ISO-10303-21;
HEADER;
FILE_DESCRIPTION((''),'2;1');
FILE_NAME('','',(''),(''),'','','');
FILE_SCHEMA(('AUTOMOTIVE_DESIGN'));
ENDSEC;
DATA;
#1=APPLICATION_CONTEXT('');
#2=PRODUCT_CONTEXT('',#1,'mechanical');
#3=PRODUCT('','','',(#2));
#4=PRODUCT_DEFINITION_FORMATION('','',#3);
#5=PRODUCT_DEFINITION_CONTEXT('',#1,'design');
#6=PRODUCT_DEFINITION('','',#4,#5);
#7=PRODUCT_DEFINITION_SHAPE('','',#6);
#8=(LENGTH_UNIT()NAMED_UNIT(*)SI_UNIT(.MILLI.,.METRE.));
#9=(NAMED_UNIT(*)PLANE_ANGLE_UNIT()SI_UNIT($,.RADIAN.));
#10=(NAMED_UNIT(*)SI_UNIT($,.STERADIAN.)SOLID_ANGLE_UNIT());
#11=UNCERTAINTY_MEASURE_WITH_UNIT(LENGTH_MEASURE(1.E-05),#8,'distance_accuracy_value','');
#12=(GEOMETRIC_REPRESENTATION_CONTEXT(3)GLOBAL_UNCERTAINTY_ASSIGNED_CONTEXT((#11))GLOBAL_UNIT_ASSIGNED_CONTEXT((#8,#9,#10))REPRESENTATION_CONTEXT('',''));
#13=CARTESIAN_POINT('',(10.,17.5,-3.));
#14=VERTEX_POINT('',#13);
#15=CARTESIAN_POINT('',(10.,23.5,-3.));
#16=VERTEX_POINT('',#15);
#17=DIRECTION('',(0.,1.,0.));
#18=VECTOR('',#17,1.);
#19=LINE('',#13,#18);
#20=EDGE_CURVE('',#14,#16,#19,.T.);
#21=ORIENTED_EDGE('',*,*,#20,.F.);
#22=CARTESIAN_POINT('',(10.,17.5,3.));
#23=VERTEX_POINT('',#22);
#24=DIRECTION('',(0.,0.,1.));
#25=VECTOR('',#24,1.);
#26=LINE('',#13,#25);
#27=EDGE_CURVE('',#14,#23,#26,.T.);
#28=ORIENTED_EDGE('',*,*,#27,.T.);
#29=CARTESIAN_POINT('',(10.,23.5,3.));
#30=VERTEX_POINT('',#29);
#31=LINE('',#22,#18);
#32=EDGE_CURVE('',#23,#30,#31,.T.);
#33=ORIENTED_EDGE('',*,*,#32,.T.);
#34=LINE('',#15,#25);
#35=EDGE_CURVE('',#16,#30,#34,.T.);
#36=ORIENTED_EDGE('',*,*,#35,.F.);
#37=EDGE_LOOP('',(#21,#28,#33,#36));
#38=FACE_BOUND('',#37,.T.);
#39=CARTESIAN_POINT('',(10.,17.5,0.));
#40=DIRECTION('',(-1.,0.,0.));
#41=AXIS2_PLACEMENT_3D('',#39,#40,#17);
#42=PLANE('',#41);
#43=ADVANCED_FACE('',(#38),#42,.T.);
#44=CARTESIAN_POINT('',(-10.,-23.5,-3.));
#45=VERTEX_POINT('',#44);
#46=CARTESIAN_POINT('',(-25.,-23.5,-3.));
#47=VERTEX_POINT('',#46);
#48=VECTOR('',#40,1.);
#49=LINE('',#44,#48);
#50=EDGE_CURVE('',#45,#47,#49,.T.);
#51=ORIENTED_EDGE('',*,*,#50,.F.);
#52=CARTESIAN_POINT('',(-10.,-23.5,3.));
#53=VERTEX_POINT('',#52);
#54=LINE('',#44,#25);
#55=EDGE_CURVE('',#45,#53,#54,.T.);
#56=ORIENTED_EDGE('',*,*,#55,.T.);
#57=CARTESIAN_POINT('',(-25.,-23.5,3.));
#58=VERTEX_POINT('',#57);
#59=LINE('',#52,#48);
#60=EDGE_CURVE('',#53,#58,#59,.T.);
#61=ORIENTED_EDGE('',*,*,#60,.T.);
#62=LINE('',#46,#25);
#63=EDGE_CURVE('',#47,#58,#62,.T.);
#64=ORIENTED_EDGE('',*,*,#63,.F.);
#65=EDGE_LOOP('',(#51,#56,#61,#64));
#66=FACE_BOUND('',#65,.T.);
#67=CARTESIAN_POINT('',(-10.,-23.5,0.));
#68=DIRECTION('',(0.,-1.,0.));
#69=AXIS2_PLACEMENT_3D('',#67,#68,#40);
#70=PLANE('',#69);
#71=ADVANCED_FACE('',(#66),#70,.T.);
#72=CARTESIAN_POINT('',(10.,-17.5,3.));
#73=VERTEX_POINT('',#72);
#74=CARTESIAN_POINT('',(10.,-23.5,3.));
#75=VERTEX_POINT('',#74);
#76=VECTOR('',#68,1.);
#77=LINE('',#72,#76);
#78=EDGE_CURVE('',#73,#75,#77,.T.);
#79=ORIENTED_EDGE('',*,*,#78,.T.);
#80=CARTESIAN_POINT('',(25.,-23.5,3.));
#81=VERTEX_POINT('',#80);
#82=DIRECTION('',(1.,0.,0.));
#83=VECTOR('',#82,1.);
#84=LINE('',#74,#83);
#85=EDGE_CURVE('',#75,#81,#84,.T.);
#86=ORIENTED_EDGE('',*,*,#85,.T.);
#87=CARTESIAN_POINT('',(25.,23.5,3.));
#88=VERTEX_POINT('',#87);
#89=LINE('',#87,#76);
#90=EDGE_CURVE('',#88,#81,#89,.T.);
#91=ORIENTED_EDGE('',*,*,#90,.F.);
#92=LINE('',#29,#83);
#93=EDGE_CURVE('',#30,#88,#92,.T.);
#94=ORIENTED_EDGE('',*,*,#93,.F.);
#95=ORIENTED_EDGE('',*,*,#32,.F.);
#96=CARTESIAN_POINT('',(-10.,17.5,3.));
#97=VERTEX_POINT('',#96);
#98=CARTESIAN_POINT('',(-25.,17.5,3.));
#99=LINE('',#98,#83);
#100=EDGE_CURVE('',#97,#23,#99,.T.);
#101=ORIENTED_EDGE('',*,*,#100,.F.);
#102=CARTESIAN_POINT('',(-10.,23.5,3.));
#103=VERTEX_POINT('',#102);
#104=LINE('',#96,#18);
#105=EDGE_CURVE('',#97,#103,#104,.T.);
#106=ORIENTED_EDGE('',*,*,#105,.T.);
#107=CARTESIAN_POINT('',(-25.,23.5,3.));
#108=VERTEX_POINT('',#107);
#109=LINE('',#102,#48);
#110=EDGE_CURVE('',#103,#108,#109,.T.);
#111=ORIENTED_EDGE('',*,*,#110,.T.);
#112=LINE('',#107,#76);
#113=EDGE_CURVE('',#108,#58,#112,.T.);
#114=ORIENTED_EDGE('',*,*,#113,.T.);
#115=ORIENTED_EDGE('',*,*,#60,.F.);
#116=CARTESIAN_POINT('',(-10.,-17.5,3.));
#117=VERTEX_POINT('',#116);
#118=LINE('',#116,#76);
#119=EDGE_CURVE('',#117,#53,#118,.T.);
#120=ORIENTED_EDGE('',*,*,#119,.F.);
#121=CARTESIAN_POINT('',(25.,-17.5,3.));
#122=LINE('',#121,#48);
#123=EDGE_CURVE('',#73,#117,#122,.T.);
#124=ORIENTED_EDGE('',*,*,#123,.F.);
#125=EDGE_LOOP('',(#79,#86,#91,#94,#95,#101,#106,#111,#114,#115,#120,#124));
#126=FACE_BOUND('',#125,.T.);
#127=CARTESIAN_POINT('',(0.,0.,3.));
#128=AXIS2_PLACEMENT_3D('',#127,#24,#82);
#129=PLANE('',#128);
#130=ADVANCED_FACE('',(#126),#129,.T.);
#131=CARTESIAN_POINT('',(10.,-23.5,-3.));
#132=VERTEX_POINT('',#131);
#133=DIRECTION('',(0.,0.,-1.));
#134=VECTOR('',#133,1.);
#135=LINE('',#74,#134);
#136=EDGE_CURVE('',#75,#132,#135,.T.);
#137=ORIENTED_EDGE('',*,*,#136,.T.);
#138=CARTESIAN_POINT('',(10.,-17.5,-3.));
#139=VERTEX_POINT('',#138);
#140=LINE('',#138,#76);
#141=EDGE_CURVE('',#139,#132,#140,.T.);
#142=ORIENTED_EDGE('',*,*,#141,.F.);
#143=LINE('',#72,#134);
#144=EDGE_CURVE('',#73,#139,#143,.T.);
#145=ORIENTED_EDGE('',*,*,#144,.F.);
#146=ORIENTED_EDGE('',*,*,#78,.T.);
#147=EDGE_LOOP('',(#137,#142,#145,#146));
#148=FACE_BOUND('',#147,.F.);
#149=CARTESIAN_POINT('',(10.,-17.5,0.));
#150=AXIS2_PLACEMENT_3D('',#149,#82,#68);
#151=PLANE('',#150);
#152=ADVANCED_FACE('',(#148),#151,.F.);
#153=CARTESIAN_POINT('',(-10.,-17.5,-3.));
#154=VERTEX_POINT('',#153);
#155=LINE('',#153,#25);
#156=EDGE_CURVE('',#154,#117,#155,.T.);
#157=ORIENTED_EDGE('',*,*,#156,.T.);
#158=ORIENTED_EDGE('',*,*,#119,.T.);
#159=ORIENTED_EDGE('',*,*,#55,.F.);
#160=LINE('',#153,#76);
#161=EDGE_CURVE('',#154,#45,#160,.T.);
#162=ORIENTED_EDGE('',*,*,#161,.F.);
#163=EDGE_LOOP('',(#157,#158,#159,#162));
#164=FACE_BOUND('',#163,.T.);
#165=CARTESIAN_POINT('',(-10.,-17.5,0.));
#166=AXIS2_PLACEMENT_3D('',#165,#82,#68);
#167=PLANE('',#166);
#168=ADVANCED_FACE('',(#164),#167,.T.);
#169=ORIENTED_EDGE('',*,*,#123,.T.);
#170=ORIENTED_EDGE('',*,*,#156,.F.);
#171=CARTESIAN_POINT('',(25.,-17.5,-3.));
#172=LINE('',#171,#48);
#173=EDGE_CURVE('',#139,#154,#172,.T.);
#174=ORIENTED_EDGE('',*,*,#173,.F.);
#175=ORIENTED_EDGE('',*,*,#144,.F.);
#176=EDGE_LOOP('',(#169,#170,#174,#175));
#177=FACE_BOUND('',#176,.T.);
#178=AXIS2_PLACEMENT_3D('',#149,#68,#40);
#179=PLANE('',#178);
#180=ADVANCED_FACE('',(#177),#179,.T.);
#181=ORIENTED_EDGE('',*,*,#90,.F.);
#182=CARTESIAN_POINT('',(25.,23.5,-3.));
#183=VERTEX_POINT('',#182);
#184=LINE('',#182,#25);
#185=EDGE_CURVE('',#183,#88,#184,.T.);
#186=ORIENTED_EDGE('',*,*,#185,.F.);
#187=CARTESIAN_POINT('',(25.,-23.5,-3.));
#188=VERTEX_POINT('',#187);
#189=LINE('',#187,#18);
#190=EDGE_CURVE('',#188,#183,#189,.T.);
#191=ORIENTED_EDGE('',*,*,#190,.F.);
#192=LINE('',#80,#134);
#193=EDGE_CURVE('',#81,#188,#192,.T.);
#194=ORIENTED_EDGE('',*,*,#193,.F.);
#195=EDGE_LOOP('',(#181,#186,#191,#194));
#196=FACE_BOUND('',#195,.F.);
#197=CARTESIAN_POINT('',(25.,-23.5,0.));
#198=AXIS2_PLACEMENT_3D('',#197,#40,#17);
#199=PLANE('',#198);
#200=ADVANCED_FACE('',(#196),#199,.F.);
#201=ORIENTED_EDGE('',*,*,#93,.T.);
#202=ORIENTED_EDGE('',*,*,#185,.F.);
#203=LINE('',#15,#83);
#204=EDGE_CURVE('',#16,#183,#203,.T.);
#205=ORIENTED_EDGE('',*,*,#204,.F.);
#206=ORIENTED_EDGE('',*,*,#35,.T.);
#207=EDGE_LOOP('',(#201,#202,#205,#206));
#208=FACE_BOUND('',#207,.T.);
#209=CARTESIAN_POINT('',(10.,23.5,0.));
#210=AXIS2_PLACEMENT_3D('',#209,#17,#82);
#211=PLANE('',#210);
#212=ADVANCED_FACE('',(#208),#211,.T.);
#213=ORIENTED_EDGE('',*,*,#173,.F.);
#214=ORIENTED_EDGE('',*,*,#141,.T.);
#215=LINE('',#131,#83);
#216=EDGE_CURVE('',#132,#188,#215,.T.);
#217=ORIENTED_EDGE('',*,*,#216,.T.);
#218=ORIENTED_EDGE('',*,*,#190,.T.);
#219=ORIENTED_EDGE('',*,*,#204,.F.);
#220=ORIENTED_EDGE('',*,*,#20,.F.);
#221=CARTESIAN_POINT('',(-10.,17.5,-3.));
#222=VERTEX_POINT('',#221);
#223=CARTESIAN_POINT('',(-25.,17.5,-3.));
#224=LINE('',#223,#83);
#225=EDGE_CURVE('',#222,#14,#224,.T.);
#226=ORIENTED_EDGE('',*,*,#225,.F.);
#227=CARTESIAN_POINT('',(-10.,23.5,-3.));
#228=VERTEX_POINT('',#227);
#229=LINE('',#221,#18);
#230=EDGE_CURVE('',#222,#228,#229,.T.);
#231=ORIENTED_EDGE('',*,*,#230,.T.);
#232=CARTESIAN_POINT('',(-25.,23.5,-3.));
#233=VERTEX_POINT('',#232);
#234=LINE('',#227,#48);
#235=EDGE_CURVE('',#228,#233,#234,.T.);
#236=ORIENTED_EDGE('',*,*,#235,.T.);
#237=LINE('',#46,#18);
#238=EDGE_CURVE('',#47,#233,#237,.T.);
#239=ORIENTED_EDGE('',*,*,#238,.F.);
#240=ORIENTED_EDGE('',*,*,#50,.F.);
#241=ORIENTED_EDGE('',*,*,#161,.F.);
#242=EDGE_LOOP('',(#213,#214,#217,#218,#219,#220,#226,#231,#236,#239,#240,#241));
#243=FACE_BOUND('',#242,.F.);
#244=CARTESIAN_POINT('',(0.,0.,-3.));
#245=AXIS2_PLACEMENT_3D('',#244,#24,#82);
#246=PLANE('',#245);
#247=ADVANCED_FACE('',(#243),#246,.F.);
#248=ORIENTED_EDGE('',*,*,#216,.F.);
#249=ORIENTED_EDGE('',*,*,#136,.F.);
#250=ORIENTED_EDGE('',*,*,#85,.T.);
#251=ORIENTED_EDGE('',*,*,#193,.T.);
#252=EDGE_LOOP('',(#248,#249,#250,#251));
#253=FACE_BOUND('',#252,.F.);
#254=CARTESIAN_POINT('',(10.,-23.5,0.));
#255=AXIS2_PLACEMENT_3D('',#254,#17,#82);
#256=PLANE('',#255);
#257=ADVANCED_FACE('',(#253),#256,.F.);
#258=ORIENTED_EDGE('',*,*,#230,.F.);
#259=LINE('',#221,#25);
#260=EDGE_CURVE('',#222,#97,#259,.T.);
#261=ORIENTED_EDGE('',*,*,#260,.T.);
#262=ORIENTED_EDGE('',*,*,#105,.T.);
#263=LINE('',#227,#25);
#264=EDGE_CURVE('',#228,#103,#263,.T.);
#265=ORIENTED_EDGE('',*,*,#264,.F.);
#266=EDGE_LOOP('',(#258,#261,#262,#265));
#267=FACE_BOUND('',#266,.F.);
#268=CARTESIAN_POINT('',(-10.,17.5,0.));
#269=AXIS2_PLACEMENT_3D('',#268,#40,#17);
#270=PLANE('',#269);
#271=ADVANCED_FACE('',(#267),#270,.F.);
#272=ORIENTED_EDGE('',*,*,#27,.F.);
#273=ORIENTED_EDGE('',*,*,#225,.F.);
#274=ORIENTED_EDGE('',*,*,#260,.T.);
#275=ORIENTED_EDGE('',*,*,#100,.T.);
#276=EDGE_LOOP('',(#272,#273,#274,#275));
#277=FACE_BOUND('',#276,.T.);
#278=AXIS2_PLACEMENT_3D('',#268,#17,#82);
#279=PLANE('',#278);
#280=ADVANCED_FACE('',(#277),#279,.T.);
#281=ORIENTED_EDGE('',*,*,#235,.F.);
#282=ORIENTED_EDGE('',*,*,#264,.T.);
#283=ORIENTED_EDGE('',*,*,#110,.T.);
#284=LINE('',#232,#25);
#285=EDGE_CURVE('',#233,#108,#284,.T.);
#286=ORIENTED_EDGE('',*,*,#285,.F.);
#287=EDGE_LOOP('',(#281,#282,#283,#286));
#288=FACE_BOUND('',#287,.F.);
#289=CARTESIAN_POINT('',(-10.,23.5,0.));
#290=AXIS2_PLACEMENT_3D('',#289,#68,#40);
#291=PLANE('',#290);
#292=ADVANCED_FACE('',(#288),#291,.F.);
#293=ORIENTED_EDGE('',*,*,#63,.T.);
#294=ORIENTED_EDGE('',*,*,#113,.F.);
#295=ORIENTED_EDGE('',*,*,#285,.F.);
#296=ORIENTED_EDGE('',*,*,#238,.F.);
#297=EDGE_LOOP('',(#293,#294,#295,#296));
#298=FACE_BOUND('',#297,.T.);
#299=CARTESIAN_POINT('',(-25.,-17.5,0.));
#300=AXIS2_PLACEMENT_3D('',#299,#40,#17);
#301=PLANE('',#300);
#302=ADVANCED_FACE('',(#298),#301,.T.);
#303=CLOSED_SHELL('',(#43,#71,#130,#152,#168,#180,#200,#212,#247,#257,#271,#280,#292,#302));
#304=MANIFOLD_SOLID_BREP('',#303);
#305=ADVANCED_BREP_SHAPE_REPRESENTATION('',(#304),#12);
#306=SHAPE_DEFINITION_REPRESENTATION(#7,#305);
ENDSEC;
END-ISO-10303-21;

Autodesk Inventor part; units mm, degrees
ref_plane "YZ Plane" through (0, 0, 0) normal (1, 0, 0) x (0, 1, 0)
ref_plane "XZ Plane" through (0, 0, 0) normal (0, 1, 0) x (-1, 0, 0)
ref_plane "XY Plane" through (0, 0, 0) normal (0, 0, 1) x (1, 0, 0)
sketch "Эскиз1" plane through (0, 0, 0) normal (0, 0, 1) x (1, 0, 0)
  line L0 (25, -17.5) -> (-25, -17.5)
  line L1 (-25, -17.5) -> (-25, 17.5)
  line L2 (-25, 17.5) -> (25, 17.5)
  line L3 (25, 17.5) -> (25, -17.5)
  line L4 (25, -17.5) -> (-25, 17.5) construction
  line L5 (-25, -17.5) -> (25, 17.5) construction
  line L6 (-25, 17.5) -> (-10, 17.5)
  line L7 (-10, 17.5) -> (-10, 23.5)
  line L8 (-10, 23.5) -> (-25, 23.5)
  line L9 (-25, 23.5) -> (-25, 17.5)
  line L10 (25, 17.5) -> (10, 17.5)
  line L11 (10, 17.5) -> (10, 23.5)
  line L12 (10, 23.5) -> (25, 23.5)
  line L13 (25, 23.5) -> (25, 17.5)
  line L14 (-25, -17.5) -> (-10, -17.5)
  line L15 (-10, -17.5) -> (-10, -23.5)
  line L16 (-10, -23.5) -> (-25, -23.5)
  line L17 (-25, -23.5) -> (-25, -17.5)
  line L18 (25, -17.5) -> (10, -17.5)
  line L19 (10, -17.5) -> (10, -23.5)
  line L20 (10, -23.5) -> (25, -23.5)
  line L21 (25, -23.5) -> (25, -17.5)
  line L22 (0, 0) -> (0, 45.655) construction
  point P0 (-10, -17.5)
  point P1 (10, 17.5)
  dimension "d0" = 50
  dimension "d1" = 35
  dimension "d2" = 6
  dimension "d3" = 15
extrude "Выдавливание1" add sketch "Эскиз1" along normal mid plane 6
properties part number "Стойка_В5" material "По умолчанию1"
